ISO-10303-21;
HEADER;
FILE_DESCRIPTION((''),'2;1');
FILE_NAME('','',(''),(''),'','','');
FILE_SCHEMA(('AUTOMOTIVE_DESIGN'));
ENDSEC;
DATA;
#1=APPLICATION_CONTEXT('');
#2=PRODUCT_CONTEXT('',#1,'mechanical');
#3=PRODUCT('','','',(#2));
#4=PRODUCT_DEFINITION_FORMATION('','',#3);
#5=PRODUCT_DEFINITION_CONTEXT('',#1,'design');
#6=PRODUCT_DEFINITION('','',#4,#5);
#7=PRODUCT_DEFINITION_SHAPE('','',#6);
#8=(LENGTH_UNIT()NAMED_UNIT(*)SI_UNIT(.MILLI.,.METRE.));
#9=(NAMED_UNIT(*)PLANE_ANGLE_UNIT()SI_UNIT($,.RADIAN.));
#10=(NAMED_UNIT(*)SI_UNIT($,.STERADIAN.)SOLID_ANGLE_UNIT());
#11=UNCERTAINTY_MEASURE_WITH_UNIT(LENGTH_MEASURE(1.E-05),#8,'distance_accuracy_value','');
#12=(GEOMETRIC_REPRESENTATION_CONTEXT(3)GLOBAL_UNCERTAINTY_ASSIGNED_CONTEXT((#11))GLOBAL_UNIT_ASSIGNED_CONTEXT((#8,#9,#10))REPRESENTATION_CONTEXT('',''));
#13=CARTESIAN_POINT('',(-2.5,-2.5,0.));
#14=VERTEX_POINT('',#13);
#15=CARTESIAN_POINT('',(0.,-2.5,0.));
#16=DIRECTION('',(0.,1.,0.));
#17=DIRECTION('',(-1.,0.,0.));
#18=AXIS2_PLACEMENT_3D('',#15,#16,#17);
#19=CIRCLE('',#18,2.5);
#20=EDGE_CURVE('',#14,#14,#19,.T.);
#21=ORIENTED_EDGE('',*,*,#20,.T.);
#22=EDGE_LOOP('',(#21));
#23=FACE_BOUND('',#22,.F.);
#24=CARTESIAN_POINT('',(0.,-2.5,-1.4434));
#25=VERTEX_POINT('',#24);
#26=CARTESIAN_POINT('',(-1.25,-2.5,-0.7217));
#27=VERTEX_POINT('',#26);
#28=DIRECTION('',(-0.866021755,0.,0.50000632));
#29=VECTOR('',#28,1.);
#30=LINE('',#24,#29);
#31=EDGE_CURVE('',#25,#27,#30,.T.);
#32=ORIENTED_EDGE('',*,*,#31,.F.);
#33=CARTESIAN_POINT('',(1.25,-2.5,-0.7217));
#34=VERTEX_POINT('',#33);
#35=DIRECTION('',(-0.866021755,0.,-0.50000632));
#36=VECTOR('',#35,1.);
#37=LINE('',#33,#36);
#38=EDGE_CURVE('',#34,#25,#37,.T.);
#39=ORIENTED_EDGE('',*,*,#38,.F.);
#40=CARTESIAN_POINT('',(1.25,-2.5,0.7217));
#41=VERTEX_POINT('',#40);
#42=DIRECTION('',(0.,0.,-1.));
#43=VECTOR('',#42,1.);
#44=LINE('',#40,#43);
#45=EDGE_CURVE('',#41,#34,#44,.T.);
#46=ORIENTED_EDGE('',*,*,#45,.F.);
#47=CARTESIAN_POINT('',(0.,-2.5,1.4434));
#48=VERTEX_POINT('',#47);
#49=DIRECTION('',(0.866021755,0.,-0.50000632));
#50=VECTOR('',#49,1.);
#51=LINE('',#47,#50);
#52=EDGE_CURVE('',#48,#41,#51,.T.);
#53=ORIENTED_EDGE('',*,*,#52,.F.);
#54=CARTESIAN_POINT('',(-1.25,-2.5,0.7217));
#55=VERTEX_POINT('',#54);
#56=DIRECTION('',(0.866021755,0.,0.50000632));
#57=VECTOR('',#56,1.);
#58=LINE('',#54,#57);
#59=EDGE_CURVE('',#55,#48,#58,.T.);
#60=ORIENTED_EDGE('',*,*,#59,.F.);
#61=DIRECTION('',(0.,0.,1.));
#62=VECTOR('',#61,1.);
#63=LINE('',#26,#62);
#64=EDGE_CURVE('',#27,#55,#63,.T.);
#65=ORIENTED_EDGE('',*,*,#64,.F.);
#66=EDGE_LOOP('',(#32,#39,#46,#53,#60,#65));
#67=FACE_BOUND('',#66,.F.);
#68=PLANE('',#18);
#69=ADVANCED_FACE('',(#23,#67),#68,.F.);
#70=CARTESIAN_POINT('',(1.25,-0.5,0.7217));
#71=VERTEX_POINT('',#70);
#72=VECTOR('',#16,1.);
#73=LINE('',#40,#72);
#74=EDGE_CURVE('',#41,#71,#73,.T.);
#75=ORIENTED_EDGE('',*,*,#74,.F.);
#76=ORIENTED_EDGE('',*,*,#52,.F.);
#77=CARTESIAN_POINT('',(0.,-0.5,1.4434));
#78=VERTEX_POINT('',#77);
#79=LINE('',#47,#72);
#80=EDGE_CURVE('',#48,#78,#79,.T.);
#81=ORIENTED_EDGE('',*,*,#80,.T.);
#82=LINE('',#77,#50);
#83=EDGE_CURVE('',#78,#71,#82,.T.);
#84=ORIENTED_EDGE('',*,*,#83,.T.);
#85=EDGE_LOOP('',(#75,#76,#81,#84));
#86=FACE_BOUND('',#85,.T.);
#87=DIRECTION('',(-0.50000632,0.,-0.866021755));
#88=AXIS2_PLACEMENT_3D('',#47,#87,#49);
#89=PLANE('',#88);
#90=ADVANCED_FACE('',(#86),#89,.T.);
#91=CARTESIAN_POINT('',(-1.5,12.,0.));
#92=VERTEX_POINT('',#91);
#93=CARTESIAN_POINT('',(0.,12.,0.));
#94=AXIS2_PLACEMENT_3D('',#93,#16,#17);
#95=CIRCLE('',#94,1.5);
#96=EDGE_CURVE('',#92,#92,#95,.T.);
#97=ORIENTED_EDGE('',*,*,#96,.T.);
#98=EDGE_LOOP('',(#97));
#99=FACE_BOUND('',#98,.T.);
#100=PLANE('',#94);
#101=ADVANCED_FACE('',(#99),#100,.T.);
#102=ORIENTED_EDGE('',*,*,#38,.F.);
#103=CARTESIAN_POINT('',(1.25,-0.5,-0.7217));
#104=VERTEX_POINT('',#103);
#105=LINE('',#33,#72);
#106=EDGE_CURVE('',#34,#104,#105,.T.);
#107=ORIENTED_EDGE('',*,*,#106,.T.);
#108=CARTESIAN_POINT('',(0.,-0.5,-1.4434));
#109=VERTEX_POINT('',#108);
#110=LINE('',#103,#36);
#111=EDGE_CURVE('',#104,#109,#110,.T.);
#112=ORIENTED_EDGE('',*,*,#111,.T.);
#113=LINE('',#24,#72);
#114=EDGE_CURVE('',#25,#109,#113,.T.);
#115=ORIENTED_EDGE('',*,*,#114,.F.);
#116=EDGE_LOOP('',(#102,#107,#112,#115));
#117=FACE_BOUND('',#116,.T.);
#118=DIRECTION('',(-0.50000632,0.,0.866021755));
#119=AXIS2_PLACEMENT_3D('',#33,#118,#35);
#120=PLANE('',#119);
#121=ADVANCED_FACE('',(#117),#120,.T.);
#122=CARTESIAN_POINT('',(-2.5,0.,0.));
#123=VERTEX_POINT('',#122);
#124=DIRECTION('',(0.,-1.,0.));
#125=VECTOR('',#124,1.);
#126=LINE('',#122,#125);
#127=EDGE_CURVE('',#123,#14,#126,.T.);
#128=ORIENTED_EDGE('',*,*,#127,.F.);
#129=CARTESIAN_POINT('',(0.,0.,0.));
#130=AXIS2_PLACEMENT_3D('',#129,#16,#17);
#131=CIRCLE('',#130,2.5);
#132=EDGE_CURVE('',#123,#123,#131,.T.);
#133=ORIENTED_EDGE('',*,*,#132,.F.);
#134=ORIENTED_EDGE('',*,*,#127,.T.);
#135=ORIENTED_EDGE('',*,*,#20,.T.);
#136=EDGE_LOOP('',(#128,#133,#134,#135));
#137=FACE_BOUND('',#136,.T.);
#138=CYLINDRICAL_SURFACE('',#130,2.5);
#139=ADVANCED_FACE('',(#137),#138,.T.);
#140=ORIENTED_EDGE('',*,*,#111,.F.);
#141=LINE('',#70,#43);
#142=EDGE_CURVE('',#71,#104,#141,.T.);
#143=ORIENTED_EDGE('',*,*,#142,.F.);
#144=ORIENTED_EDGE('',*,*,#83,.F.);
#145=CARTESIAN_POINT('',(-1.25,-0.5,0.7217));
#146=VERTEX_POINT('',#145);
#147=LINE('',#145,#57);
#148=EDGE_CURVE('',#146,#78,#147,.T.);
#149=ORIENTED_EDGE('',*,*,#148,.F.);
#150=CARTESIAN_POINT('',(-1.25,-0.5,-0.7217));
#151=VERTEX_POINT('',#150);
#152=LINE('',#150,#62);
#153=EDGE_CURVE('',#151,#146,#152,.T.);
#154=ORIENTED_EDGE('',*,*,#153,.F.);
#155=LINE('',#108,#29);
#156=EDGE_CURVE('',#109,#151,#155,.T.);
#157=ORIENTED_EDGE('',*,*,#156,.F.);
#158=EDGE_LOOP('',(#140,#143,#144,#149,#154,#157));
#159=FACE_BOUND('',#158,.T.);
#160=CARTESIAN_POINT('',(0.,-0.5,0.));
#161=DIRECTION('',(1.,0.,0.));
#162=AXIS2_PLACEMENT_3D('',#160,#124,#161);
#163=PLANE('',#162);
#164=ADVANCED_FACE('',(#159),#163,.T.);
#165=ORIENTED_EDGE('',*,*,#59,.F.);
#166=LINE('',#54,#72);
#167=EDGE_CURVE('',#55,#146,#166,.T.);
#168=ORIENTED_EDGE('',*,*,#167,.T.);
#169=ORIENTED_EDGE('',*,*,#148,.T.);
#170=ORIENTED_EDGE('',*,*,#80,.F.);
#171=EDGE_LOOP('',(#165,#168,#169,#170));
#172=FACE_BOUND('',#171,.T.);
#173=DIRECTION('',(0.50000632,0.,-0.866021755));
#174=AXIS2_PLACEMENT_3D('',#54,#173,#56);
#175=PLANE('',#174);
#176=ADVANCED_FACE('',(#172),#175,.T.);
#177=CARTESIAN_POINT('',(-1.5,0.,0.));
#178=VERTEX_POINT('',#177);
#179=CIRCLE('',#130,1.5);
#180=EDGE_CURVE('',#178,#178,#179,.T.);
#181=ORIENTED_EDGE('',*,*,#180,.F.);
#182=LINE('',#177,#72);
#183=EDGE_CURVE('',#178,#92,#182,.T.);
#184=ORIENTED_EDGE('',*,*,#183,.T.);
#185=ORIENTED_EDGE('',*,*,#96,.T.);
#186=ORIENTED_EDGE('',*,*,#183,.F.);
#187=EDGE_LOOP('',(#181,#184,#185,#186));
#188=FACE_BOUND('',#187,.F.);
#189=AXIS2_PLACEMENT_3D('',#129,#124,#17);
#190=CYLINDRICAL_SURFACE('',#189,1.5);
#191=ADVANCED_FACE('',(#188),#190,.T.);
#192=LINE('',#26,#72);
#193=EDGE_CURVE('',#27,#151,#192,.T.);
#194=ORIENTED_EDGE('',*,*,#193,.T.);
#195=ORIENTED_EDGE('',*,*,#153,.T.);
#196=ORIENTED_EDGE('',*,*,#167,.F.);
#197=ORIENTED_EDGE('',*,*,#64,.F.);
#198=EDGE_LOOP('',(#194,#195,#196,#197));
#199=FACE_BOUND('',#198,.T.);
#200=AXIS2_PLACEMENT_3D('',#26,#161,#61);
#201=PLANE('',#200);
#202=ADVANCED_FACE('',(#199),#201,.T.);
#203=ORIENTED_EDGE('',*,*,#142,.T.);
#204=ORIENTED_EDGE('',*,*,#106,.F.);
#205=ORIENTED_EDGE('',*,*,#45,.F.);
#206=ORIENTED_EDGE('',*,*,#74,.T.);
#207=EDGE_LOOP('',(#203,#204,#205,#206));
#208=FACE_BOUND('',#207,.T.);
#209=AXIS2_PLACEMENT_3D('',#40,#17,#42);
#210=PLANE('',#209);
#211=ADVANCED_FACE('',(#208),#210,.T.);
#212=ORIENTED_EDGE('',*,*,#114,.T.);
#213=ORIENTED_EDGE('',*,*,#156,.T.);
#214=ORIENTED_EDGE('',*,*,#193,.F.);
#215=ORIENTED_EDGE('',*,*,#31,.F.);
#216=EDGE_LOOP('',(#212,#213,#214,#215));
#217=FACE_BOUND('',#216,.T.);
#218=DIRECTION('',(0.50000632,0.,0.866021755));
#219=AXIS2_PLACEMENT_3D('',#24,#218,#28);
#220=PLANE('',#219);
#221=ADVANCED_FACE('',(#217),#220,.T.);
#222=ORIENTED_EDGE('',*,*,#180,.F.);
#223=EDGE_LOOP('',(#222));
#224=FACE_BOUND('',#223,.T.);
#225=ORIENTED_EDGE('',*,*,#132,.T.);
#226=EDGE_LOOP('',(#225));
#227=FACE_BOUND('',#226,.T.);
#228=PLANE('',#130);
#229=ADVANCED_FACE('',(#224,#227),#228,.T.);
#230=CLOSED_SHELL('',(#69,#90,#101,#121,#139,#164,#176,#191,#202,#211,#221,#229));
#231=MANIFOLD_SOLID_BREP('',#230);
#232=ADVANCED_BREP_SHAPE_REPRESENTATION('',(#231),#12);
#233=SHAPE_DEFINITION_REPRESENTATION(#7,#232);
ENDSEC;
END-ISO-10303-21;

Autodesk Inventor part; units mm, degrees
ref_plane "YZ Plane" through (0, 0, 0) normal (1, 0, 0) x (0, 1, 0)
ref_plane "XZ Plane" through (0, 0, 0) normal (0, 1, 0) x (-1, 0, 0)
ref_plane "XY Plane" through (0, 0, 0) normal (0, 0, 1) x (1, 0, 0)
sketch "Sketch1" plane through (0, 0, 0) normal (0, 1, 0) x (-1, 0, 0)
  circle A0 centre (0, 0) radius 1.5
  circle A1 centre (0, 0) radius 2.5
  dimension "d0" = 3
  dimension "d1" = 5
extrude "Extrusion1" add sketch "Sketch1" along normal blind 12 contours A0
extrude "Extrusion2" add sketch "Sketch1" against normal blind 2.5 contours A0 | A1
thread "Thread1" size "M3x0.35" class "6g" standard "ANSI Metric M Profile" full length
sketch "Sketch2" plane through (0, -2.5, 0) normal (0, -1, 0) x (1, 0, 0)
  line L0 (1.25, -0.7217) -> (0, -1.4434)
  line L1 (0, -1.4434) -> (-1.25, -0.7217)
  line L2 (-1.25, -0.7217) -> (-1.25, 0.7217)
  line L3 (-1.25, 0.7217) -> (0, 1.4434)
  line L4 (0, 1.4434) -> (1.25, 0.7217)
  line L5 (1.25, 0.7217) -> (1.25, -0.7217)
  point P0 (0, 0)
  point P1 (0, 0)
  point P2 (1.25, 0)
extrude "Extrusion3" cut sketch "Sketch2" against normal blind 2
properties part number "M4"
